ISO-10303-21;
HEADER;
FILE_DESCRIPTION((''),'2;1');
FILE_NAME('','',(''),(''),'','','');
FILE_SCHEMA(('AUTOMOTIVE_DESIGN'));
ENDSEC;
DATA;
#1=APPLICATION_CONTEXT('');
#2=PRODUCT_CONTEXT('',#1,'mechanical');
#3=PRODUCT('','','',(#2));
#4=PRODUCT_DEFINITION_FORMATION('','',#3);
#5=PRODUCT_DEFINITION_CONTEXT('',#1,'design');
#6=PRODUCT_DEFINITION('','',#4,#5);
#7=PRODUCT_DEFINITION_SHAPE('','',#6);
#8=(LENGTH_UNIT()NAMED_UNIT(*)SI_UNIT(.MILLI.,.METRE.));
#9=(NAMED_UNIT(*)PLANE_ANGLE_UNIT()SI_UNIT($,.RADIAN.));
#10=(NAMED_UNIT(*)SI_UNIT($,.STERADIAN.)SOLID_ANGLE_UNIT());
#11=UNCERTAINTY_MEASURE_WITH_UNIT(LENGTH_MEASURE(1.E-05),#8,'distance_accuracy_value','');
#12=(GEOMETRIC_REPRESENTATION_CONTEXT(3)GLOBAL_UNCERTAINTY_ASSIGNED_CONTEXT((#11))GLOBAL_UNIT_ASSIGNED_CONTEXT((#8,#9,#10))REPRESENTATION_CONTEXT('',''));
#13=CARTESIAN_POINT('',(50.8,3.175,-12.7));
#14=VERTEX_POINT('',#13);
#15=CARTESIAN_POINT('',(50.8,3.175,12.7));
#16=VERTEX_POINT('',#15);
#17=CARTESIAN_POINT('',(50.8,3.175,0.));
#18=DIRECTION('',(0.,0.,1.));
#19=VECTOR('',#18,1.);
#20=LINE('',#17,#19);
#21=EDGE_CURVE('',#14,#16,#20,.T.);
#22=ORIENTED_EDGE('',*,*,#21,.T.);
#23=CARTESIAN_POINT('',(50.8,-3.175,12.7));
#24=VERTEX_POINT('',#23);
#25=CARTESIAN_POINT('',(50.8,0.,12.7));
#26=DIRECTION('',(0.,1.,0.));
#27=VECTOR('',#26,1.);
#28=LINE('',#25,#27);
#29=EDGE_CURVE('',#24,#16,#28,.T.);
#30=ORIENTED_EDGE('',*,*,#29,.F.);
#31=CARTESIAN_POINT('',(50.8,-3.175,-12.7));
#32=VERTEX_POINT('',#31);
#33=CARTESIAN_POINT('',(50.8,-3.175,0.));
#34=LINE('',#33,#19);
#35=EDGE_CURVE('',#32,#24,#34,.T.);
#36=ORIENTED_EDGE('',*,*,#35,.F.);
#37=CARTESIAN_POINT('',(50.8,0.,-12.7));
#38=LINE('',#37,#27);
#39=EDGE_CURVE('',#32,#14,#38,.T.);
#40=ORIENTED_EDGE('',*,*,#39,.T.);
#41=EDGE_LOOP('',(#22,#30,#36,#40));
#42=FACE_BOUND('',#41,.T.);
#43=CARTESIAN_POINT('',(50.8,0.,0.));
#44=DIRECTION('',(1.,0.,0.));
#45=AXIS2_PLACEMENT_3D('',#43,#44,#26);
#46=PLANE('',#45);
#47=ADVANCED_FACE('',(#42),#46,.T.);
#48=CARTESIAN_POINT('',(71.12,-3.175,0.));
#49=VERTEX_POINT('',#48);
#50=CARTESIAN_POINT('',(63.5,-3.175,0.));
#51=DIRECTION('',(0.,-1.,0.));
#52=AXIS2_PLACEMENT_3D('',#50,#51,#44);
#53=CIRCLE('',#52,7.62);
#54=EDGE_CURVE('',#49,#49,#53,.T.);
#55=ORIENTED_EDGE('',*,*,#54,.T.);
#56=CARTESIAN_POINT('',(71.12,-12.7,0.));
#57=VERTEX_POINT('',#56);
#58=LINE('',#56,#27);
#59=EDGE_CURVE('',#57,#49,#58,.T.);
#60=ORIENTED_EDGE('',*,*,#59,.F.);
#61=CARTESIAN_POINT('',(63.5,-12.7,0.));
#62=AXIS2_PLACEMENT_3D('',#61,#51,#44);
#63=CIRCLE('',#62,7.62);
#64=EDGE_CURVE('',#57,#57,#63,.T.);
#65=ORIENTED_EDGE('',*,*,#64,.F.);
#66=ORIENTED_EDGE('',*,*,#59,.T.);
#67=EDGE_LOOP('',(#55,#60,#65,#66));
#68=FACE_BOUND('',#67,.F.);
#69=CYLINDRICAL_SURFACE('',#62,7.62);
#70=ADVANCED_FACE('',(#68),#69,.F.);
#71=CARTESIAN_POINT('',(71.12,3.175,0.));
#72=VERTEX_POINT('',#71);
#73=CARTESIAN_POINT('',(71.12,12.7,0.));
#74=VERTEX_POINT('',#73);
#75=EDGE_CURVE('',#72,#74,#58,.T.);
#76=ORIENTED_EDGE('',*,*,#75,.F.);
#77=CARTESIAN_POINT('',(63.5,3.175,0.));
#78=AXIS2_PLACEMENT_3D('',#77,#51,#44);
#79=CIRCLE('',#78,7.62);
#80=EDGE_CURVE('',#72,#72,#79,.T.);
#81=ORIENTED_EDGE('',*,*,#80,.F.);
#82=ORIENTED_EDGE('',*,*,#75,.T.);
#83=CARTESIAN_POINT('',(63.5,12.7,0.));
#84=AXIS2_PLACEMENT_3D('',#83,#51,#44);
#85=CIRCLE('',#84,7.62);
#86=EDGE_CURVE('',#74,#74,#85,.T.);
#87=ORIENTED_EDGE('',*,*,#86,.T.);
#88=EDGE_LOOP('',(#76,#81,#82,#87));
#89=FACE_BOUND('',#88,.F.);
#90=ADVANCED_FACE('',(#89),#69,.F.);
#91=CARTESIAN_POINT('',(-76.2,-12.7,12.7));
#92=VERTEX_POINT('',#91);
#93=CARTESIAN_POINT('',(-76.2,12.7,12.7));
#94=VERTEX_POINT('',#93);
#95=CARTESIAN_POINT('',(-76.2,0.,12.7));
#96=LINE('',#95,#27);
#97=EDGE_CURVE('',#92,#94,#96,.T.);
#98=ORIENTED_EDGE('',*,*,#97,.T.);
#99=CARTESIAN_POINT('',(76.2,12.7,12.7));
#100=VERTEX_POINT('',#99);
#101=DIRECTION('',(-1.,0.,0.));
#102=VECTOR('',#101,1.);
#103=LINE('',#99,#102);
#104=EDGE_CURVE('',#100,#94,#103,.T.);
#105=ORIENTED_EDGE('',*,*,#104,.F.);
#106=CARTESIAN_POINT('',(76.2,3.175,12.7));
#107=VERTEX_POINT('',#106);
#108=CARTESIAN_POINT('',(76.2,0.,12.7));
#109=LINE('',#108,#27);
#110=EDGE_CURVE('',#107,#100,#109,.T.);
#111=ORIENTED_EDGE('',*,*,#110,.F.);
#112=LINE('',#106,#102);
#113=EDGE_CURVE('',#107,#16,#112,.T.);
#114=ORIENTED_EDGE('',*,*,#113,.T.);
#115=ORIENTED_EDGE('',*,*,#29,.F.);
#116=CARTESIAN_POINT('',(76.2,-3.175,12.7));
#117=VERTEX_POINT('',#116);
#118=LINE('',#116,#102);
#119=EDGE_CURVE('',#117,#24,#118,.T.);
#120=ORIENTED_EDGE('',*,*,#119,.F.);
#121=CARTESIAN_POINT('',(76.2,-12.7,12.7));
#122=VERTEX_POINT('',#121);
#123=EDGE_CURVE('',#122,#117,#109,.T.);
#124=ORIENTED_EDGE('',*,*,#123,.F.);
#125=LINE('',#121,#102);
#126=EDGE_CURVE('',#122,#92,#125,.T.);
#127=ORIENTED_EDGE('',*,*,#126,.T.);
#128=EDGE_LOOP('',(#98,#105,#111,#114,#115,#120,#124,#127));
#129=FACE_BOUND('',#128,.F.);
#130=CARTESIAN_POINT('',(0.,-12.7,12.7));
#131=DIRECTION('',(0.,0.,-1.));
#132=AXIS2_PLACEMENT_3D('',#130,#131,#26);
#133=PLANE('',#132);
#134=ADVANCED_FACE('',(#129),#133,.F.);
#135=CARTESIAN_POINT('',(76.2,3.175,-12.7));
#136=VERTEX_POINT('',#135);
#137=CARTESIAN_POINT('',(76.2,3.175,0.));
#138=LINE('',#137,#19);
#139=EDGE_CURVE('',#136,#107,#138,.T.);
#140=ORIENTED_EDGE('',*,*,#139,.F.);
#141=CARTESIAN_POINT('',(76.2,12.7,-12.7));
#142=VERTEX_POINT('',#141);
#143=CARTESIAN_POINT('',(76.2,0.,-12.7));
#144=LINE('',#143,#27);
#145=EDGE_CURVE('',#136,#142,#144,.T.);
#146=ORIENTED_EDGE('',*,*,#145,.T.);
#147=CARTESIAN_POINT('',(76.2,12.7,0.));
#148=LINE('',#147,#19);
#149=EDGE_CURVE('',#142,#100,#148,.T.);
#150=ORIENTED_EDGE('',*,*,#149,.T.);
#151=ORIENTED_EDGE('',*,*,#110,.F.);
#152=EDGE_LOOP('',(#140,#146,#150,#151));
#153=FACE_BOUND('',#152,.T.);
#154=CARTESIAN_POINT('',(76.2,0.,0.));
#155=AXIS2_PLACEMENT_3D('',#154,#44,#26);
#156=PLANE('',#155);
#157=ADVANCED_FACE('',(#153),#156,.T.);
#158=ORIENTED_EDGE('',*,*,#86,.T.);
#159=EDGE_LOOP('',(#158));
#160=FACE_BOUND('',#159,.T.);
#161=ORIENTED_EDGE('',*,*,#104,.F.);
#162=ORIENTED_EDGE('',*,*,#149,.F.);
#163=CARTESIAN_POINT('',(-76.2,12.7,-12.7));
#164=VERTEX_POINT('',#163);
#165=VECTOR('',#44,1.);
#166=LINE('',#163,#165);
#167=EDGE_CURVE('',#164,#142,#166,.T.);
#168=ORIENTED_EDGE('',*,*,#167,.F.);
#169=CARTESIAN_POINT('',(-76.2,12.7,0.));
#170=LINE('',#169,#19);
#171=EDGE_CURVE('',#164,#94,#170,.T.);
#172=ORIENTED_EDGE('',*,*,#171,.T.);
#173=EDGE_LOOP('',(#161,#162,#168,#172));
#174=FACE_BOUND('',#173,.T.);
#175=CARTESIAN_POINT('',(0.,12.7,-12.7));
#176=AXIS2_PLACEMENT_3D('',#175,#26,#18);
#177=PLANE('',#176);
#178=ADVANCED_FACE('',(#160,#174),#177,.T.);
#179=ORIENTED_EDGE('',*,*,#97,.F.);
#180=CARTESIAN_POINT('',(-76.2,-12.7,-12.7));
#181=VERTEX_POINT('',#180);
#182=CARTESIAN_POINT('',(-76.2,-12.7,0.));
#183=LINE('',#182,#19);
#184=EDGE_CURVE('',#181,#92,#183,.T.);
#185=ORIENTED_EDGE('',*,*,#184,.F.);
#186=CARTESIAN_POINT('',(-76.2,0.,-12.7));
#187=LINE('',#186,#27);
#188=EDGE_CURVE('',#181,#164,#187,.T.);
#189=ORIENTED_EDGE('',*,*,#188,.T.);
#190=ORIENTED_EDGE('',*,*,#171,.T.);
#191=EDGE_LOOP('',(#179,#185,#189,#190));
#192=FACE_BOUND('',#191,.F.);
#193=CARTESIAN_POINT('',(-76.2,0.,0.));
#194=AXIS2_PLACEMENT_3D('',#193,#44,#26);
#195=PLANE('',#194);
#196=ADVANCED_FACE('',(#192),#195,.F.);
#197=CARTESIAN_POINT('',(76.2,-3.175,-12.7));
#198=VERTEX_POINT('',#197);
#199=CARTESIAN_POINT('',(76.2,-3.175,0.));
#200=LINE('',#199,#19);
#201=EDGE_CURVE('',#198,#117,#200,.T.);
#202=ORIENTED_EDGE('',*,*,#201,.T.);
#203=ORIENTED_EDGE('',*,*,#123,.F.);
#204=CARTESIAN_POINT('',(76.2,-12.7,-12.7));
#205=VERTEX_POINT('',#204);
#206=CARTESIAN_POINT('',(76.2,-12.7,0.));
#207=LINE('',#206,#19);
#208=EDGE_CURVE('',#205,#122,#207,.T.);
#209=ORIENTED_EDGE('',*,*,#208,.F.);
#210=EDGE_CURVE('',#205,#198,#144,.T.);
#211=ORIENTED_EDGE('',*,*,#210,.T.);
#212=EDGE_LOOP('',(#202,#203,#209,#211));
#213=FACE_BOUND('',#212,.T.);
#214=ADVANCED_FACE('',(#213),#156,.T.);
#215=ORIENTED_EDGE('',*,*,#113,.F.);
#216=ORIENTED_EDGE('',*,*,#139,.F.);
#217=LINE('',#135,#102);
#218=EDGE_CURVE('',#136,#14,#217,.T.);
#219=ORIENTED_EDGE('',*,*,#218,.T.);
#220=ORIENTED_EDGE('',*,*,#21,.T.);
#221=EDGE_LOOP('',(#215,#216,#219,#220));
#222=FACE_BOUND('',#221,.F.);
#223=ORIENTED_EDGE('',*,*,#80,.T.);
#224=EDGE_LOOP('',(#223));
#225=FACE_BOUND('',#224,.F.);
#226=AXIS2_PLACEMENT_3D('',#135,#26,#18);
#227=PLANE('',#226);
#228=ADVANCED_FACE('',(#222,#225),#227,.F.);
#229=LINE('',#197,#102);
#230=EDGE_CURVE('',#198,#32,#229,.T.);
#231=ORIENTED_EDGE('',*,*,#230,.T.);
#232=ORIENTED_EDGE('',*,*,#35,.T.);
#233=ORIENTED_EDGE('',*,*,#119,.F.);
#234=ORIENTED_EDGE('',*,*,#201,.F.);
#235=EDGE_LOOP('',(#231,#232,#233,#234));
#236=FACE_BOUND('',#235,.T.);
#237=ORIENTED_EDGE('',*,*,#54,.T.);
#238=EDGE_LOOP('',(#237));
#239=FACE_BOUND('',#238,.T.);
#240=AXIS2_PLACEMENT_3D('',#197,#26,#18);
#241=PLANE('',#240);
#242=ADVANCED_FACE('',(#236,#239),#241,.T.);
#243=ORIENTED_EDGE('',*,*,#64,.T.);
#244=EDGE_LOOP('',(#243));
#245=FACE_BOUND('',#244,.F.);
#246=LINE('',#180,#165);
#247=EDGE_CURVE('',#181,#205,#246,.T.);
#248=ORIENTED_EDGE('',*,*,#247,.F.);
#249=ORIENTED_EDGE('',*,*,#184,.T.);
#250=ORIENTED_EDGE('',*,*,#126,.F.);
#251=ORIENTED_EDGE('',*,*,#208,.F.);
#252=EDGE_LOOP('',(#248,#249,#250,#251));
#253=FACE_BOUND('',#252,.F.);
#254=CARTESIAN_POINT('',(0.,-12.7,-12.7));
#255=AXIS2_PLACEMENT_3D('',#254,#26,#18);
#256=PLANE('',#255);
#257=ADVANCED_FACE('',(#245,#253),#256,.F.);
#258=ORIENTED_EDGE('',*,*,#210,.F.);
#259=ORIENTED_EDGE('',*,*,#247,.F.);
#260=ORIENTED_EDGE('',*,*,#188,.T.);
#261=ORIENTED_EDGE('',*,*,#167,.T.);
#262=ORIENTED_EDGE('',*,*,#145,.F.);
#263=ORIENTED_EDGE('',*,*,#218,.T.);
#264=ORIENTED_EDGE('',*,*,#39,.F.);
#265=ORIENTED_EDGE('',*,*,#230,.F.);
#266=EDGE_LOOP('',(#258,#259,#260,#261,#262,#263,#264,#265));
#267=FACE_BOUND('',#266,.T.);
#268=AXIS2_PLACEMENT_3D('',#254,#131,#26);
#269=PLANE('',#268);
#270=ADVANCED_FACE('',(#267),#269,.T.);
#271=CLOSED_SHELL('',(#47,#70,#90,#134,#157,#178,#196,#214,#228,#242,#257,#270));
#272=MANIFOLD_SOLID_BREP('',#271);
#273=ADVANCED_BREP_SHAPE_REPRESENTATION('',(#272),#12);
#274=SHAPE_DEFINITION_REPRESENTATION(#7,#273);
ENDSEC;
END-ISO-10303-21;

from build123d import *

# Parameters (mm, degrees)
F0_W     = 25.4
F0_H     = 25.4
F1_DEPTH = 76.2
F2_R     = 7.62
F3_DEPTH = 25.4
F4_W     = 6.35
F4_H     = 25.4
F5_DEPTH = 25.4


with BuildPart() as f1:
    # F0 (on Right) → F1 (new body, symmetric)
    with BuildSketch(Plane.YZ):
        Rectangle(F0_W, F0_H)
    extrude(amount=F1_DEPTH, both=True)

    # F2 (on face) → F3 (cut, through all)
    with BuildSketch(Plane.XZ.offset(12.7)):
        with Locations((63.5, 0)):
            Circle(F2_R)
    extrude(amount=-F3_DEPTH, mode=Mode.SUBTRACT)

    # F4 (on face) → F5 (cut)
    with BuildSketch(Plane.YZ.offset(76.2)):
        Rectangle(F4_W, F4_H)
    extrude(amount=-F5_DEPTH, mode=Mode.SUBTRACT)


solid = f1.part
